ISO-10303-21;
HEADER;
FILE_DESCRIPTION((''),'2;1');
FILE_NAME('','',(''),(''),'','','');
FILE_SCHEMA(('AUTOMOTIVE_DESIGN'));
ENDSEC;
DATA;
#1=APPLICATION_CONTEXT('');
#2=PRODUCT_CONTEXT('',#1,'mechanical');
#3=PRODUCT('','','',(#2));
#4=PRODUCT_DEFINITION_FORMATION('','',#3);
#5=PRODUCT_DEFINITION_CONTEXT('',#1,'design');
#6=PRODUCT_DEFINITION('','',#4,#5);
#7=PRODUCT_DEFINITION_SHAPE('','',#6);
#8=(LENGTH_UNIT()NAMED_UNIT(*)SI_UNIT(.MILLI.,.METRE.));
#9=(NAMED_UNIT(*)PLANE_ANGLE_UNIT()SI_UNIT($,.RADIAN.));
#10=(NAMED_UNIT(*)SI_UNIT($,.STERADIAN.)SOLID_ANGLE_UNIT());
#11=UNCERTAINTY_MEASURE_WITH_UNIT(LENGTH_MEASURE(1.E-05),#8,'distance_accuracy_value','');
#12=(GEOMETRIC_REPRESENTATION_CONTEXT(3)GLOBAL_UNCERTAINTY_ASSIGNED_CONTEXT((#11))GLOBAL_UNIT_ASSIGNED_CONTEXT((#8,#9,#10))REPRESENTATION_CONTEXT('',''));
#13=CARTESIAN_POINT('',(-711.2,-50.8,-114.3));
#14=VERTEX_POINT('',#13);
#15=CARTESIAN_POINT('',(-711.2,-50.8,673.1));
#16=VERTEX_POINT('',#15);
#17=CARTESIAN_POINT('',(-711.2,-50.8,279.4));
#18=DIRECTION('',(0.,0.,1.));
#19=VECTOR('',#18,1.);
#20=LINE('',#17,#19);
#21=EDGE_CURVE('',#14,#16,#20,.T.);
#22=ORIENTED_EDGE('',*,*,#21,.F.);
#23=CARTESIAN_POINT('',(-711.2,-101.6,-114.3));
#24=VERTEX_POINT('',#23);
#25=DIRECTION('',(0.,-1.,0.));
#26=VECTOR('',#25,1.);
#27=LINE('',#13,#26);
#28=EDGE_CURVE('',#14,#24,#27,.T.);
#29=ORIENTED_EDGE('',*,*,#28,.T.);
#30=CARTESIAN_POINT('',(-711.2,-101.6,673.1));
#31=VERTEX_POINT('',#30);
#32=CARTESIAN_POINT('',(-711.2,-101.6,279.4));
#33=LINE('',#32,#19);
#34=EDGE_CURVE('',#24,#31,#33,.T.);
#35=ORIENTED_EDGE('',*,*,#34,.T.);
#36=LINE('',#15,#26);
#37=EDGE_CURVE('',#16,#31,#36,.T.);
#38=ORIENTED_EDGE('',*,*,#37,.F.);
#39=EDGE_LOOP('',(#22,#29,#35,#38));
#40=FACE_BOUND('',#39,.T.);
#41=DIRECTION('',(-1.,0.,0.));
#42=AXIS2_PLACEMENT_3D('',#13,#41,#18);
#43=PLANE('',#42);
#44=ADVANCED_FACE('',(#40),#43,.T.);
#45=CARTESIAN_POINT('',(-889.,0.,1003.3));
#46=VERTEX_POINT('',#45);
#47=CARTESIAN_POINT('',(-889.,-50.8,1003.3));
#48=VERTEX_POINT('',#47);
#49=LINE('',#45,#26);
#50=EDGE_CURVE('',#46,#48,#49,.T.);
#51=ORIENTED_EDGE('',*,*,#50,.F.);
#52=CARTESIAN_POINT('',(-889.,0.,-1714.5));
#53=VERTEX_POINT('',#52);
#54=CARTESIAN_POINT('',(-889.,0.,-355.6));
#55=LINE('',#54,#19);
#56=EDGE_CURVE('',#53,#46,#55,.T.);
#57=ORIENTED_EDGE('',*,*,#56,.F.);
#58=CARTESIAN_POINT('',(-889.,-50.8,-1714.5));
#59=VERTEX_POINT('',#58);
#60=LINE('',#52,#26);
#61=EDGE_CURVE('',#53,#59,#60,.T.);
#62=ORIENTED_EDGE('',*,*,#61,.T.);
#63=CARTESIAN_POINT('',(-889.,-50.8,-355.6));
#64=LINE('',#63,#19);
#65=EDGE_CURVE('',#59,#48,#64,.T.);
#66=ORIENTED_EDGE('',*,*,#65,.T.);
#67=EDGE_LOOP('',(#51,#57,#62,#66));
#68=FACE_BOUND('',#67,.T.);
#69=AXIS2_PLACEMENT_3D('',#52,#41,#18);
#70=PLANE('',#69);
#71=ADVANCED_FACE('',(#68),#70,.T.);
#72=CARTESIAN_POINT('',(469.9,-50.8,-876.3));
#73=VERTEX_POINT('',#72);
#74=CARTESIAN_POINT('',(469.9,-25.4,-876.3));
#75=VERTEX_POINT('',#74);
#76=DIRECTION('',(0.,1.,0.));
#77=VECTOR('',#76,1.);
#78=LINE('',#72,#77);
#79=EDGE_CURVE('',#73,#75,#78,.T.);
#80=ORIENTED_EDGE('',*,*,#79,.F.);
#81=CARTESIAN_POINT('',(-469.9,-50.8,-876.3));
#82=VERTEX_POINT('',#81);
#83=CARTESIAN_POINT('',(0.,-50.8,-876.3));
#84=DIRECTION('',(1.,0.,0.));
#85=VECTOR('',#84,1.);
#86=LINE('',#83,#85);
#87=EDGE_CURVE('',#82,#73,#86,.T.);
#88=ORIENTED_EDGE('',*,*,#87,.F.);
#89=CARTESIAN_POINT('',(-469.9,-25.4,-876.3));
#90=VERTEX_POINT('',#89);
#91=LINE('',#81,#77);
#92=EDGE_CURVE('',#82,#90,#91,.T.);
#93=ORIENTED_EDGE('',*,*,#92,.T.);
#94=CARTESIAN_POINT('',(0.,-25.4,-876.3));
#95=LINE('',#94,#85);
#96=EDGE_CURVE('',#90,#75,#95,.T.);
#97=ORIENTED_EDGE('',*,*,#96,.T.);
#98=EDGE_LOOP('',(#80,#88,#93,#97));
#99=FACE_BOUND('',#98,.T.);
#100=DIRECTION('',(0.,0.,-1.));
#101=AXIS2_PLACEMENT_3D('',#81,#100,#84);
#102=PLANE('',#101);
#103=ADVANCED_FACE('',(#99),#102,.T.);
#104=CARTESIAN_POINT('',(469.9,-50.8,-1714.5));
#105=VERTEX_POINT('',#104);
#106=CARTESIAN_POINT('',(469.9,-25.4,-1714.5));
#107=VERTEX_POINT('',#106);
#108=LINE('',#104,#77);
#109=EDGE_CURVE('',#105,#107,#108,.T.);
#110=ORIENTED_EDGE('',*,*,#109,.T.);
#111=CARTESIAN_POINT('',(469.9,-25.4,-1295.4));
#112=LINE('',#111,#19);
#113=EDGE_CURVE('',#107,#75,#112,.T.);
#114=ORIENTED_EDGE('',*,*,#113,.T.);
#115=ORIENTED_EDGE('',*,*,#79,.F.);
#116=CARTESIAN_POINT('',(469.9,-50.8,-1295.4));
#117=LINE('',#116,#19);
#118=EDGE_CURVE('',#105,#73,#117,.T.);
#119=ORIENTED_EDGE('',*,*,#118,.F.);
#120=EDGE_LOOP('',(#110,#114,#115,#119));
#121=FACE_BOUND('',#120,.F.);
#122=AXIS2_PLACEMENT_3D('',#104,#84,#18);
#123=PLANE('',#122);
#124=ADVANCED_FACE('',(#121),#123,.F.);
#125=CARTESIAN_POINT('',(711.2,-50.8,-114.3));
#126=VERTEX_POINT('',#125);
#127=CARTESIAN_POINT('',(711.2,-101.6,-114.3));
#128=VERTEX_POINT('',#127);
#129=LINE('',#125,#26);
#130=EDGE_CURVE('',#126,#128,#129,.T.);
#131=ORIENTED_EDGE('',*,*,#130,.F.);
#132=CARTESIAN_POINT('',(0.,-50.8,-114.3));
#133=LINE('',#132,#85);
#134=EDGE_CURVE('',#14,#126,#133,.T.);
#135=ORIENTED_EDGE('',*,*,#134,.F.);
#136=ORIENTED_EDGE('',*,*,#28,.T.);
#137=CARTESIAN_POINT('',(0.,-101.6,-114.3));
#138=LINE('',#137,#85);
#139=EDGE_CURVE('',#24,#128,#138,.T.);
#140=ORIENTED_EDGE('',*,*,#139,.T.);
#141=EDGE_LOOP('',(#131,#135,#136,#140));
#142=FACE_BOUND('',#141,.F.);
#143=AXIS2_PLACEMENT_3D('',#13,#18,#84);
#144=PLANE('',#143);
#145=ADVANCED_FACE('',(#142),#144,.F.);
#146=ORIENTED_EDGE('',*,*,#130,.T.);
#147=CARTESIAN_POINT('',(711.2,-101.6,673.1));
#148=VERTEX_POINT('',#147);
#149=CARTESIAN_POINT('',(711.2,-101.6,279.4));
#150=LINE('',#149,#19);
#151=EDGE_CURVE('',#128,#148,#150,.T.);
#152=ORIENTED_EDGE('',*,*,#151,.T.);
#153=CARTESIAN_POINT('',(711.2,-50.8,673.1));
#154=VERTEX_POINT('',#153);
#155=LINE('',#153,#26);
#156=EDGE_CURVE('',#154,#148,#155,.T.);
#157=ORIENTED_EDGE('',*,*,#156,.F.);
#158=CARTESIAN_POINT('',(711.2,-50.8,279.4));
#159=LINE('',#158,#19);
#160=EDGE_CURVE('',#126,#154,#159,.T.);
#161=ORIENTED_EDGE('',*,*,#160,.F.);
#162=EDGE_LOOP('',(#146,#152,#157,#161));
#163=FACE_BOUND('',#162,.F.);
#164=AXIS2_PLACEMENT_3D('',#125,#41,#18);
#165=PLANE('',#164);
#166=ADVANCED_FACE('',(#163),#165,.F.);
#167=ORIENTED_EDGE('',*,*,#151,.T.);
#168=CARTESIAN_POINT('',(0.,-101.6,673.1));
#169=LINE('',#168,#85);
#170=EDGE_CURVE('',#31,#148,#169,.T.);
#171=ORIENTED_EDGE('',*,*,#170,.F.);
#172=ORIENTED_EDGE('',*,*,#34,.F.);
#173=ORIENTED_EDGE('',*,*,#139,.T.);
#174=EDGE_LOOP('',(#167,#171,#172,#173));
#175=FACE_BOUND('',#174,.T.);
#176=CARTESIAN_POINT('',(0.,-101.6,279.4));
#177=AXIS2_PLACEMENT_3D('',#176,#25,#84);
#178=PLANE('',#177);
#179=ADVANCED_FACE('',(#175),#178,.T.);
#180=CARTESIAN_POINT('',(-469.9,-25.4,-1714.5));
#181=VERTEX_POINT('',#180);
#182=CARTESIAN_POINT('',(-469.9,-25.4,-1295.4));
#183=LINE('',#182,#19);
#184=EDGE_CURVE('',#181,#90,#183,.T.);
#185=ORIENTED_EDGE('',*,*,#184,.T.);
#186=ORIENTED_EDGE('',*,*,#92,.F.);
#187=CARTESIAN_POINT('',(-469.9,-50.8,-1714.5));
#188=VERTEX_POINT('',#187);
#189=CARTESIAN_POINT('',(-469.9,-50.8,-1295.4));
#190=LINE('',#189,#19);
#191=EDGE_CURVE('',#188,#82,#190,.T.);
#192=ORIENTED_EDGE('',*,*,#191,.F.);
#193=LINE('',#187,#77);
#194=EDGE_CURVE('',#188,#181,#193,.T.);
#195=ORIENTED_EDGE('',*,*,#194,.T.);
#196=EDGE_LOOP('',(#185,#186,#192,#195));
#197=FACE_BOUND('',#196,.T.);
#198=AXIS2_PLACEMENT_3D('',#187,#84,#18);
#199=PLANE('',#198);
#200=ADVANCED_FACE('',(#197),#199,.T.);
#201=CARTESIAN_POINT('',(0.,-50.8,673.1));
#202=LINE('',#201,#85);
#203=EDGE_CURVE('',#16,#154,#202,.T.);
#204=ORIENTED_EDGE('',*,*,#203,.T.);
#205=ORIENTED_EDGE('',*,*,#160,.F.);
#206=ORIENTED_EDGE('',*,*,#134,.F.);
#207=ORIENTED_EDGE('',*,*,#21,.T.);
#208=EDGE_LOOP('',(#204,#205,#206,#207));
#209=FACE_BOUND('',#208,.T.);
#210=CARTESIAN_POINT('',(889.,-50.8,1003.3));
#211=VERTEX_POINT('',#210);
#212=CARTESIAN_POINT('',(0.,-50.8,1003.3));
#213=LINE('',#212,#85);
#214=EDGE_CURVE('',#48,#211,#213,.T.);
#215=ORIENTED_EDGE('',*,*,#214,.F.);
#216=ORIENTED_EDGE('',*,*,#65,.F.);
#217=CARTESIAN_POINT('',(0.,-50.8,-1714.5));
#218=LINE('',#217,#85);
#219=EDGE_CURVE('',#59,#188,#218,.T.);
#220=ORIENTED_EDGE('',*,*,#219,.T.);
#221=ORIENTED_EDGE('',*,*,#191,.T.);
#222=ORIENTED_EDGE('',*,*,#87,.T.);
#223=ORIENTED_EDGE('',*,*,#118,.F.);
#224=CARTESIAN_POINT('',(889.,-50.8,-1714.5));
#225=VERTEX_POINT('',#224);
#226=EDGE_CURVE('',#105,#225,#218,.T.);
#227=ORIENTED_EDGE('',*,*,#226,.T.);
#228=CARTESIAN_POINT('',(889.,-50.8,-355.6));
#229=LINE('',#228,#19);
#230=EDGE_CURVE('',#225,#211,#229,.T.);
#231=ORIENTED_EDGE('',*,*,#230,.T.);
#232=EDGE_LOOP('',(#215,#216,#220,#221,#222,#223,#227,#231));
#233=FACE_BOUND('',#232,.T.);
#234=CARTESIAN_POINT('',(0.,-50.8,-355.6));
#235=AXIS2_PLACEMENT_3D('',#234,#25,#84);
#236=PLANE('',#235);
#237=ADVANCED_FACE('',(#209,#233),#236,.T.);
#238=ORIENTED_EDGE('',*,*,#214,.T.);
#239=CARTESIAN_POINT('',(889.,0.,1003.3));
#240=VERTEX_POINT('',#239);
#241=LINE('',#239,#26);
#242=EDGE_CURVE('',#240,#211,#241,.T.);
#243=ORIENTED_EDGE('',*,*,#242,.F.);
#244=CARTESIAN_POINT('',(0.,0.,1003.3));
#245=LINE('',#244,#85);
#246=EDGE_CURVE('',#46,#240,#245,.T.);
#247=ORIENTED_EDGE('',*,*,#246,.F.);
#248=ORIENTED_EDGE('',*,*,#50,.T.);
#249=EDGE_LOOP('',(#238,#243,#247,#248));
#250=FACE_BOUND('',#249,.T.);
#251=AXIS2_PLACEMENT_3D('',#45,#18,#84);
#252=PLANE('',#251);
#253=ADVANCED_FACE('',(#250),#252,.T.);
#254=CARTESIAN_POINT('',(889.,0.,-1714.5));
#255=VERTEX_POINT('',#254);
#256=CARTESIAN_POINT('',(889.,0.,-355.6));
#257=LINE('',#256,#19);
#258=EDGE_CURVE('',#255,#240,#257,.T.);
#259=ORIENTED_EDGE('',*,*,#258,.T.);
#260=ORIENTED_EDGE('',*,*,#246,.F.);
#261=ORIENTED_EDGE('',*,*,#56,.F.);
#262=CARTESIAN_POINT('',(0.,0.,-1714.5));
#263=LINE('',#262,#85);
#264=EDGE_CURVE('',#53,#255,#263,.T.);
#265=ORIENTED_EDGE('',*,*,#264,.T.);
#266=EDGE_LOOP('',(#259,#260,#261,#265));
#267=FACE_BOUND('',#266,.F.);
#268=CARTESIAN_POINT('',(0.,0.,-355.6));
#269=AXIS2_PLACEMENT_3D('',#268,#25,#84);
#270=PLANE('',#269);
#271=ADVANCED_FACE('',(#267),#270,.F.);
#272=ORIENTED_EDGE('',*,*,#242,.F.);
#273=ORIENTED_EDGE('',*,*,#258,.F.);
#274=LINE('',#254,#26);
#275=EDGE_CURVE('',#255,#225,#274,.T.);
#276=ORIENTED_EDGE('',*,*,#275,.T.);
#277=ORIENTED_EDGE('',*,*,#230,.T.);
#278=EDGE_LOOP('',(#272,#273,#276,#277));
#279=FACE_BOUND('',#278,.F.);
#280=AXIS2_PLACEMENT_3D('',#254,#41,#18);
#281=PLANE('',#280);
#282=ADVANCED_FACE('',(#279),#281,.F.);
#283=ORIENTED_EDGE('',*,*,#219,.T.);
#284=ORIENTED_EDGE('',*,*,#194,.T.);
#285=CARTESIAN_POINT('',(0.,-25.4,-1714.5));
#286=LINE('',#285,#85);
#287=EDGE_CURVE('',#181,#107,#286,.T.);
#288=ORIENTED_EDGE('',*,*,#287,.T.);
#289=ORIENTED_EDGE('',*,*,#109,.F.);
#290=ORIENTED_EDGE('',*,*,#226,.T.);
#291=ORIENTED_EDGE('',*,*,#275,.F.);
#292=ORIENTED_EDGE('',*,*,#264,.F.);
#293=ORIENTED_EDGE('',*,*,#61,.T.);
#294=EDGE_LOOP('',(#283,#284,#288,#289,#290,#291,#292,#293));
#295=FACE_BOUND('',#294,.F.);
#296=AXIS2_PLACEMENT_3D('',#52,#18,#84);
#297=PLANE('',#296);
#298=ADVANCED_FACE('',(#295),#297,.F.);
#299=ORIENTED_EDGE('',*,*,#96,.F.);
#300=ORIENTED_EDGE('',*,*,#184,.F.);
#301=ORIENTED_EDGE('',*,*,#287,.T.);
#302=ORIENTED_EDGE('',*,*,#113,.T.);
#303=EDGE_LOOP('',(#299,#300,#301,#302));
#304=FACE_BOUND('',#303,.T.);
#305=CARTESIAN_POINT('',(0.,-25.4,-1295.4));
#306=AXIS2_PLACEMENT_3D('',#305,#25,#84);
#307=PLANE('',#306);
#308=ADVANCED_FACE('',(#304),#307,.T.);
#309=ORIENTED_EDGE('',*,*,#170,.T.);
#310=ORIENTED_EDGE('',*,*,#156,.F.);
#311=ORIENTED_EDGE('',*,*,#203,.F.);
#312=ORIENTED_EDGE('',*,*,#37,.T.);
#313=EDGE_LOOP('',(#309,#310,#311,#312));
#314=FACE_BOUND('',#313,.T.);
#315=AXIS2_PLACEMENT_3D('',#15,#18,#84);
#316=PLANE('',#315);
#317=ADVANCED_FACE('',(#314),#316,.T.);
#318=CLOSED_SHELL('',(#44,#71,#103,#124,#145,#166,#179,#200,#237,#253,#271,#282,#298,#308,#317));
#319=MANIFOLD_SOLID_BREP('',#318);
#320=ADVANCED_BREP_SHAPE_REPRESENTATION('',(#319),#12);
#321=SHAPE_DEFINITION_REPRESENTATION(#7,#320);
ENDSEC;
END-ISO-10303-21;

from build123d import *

# Parameters (mm, degrees)
F0_W     = 1778
F0_H     = 2717.8
F1_DEPTH = 50.8
F2_W     = 939.8
F2_H     = 838.2
F3_DEPTH = 25.4
F4_W     = 1422.4
F4_H     = 787.4
F5_DEPTH = 50.8


with BuildPart() as f1:
    # F0 (on Front) → F1 (new body)
    with BuildSketch(Plane.XZ):
        with Locations((0, -355.6)):
            Rectangle(F0_W, F0_H)
    extrude(amount=F1_DEPTH)

    # F2 (on face) → F3 (cut)
    with BuildSketch(Plane.XZ.offset(50.8)):
        with Locations((0, -1295.4)):
            Rectangle(F2_W, F2_H)
    extrude(amount=-F3_DEPTH, mode=Mode.SUBTRACT)

    # F4 (on face) → F5 (join)
    with BuildSketch(Plane.XZ.offset(50.8)):
        with Locations((0, 279.4)):
            Rectangle(F4_W, F4_H)
    extrude(amount=F5_DEPTH)


solid = f1.part
